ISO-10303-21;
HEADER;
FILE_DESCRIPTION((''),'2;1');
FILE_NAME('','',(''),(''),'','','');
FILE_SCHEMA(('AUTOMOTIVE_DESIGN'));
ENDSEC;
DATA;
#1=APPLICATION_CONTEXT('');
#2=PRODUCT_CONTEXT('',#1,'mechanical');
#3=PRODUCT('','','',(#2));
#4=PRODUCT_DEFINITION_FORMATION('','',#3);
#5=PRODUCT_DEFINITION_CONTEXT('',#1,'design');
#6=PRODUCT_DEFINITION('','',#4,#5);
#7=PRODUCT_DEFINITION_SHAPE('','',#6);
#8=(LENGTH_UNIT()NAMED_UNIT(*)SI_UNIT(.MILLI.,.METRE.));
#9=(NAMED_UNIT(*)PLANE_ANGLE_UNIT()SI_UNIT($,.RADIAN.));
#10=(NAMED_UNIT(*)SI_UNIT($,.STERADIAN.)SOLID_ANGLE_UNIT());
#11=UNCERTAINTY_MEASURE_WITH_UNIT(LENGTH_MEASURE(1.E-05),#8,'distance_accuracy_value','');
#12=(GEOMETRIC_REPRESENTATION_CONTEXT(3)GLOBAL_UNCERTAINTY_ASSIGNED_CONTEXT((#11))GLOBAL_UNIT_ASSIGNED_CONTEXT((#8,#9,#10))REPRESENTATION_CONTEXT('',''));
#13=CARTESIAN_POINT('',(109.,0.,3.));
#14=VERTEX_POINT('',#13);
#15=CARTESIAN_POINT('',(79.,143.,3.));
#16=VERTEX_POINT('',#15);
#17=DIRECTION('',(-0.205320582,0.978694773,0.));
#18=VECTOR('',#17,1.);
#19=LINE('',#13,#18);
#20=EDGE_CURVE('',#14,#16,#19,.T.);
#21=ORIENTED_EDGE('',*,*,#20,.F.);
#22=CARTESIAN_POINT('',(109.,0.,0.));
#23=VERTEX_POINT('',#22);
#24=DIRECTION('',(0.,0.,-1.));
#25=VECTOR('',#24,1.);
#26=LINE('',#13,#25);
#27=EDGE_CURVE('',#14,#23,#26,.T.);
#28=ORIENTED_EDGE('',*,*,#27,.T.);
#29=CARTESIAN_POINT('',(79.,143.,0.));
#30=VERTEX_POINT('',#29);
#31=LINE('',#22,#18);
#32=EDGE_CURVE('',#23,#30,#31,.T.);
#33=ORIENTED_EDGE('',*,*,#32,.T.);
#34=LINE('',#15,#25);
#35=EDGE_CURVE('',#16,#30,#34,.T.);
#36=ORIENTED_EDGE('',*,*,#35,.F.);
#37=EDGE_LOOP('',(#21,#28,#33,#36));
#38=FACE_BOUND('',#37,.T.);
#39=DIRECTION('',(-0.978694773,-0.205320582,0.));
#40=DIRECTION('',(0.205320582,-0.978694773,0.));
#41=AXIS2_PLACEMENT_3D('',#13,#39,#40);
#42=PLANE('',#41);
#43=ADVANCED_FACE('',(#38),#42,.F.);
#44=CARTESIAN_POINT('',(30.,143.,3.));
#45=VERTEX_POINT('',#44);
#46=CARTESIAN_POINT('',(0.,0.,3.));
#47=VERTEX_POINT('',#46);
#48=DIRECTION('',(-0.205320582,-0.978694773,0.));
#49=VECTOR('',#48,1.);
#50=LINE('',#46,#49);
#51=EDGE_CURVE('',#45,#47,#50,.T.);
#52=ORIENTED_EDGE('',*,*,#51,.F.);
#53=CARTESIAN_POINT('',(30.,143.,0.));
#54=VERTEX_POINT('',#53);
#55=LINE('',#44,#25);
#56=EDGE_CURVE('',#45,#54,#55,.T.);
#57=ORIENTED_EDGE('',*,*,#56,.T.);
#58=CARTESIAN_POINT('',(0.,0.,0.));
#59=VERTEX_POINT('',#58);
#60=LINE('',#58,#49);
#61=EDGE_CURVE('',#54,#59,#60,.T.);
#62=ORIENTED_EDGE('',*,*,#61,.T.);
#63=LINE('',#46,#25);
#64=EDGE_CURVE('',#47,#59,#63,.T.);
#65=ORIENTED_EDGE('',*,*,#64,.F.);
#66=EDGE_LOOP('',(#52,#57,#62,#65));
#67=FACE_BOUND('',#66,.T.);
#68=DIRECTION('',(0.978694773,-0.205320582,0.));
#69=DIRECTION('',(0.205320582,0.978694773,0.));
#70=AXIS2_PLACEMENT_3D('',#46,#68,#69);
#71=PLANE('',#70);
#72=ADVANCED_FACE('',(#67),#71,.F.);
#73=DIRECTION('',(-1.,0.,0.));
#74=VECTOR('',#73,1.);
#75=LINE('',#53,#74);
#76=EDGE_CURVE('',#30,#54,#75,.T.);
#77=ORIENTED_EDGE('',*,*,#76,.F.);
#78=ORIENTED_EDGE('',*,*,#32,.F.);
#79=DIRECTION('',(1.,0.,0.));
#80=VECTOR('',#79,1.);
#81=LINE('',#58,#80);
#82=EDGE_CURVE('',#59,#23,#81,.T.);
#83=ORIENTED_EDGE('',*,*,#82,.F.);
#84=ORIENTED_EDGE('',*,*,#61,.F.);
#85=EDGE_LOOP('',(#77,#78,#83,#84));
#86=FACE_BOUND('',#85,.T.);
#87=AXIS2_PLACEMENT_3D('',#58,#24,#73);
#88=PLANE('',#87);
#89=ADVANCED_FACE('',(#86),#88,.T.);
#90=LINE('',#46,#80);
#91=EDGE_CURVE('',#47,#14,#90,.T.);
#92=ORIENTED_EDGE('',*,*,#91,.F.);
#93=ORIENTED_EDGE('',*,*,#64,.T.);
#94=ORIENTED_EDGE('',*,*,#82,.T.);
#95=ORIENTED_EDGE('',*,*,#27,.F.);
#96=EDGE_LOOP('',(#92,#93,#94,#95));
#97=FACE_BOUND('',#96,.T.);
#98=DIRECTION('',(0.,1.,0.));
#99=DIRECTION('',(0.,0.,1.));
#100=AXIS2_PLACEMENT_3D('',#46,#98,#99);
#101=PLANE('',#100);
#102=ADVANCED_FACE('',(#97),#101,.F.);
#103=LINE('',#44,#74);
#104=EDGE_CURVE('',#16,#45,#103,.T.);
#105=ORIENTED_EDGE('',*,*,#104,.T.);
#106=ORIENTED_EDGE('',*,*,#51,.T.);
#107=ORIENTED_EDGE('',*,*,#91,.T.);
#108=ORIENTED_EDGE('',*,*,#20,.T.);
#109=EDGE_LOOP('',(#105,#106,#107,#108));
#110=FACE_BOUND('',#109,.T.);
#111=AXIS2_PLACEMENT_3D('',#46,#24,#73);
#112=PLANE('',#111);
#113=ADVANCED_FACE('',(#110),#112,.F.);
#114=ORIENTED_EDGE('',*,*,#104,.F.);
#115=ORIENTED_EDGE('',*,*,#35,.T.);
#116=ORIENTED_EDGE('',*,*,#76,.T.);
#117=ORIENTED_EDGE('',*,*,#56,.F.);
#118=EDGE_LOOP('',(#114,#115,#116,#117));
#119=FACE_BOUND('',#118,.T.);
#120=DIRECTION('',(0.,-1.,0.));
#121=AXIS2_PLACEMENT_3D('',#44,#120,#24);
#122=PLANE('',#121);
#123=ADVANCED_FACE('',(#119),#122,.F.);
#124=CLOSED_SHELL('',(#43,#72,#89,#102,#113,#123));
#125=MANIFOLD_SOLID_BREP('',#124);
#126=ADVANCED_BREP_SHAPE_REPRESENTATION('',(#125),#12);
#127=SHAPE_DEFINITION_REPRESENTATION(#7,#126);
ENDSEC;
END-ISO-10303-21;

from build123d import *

# Parameters (mm, degrees)
BOSS_EXTRUDE1_DEPTH = 3


with BuildPart() as part:
    # Sketch1 → Boss-Extrude1 (new body)
    with BuildSketch(Plane.XY):
        Polygon((0, 0), (109, 0), (79, 143), (30, 143), align=None)
    extrude(amount=BOSS_EXTRUDE1_DEPTH)


solid = part.part
